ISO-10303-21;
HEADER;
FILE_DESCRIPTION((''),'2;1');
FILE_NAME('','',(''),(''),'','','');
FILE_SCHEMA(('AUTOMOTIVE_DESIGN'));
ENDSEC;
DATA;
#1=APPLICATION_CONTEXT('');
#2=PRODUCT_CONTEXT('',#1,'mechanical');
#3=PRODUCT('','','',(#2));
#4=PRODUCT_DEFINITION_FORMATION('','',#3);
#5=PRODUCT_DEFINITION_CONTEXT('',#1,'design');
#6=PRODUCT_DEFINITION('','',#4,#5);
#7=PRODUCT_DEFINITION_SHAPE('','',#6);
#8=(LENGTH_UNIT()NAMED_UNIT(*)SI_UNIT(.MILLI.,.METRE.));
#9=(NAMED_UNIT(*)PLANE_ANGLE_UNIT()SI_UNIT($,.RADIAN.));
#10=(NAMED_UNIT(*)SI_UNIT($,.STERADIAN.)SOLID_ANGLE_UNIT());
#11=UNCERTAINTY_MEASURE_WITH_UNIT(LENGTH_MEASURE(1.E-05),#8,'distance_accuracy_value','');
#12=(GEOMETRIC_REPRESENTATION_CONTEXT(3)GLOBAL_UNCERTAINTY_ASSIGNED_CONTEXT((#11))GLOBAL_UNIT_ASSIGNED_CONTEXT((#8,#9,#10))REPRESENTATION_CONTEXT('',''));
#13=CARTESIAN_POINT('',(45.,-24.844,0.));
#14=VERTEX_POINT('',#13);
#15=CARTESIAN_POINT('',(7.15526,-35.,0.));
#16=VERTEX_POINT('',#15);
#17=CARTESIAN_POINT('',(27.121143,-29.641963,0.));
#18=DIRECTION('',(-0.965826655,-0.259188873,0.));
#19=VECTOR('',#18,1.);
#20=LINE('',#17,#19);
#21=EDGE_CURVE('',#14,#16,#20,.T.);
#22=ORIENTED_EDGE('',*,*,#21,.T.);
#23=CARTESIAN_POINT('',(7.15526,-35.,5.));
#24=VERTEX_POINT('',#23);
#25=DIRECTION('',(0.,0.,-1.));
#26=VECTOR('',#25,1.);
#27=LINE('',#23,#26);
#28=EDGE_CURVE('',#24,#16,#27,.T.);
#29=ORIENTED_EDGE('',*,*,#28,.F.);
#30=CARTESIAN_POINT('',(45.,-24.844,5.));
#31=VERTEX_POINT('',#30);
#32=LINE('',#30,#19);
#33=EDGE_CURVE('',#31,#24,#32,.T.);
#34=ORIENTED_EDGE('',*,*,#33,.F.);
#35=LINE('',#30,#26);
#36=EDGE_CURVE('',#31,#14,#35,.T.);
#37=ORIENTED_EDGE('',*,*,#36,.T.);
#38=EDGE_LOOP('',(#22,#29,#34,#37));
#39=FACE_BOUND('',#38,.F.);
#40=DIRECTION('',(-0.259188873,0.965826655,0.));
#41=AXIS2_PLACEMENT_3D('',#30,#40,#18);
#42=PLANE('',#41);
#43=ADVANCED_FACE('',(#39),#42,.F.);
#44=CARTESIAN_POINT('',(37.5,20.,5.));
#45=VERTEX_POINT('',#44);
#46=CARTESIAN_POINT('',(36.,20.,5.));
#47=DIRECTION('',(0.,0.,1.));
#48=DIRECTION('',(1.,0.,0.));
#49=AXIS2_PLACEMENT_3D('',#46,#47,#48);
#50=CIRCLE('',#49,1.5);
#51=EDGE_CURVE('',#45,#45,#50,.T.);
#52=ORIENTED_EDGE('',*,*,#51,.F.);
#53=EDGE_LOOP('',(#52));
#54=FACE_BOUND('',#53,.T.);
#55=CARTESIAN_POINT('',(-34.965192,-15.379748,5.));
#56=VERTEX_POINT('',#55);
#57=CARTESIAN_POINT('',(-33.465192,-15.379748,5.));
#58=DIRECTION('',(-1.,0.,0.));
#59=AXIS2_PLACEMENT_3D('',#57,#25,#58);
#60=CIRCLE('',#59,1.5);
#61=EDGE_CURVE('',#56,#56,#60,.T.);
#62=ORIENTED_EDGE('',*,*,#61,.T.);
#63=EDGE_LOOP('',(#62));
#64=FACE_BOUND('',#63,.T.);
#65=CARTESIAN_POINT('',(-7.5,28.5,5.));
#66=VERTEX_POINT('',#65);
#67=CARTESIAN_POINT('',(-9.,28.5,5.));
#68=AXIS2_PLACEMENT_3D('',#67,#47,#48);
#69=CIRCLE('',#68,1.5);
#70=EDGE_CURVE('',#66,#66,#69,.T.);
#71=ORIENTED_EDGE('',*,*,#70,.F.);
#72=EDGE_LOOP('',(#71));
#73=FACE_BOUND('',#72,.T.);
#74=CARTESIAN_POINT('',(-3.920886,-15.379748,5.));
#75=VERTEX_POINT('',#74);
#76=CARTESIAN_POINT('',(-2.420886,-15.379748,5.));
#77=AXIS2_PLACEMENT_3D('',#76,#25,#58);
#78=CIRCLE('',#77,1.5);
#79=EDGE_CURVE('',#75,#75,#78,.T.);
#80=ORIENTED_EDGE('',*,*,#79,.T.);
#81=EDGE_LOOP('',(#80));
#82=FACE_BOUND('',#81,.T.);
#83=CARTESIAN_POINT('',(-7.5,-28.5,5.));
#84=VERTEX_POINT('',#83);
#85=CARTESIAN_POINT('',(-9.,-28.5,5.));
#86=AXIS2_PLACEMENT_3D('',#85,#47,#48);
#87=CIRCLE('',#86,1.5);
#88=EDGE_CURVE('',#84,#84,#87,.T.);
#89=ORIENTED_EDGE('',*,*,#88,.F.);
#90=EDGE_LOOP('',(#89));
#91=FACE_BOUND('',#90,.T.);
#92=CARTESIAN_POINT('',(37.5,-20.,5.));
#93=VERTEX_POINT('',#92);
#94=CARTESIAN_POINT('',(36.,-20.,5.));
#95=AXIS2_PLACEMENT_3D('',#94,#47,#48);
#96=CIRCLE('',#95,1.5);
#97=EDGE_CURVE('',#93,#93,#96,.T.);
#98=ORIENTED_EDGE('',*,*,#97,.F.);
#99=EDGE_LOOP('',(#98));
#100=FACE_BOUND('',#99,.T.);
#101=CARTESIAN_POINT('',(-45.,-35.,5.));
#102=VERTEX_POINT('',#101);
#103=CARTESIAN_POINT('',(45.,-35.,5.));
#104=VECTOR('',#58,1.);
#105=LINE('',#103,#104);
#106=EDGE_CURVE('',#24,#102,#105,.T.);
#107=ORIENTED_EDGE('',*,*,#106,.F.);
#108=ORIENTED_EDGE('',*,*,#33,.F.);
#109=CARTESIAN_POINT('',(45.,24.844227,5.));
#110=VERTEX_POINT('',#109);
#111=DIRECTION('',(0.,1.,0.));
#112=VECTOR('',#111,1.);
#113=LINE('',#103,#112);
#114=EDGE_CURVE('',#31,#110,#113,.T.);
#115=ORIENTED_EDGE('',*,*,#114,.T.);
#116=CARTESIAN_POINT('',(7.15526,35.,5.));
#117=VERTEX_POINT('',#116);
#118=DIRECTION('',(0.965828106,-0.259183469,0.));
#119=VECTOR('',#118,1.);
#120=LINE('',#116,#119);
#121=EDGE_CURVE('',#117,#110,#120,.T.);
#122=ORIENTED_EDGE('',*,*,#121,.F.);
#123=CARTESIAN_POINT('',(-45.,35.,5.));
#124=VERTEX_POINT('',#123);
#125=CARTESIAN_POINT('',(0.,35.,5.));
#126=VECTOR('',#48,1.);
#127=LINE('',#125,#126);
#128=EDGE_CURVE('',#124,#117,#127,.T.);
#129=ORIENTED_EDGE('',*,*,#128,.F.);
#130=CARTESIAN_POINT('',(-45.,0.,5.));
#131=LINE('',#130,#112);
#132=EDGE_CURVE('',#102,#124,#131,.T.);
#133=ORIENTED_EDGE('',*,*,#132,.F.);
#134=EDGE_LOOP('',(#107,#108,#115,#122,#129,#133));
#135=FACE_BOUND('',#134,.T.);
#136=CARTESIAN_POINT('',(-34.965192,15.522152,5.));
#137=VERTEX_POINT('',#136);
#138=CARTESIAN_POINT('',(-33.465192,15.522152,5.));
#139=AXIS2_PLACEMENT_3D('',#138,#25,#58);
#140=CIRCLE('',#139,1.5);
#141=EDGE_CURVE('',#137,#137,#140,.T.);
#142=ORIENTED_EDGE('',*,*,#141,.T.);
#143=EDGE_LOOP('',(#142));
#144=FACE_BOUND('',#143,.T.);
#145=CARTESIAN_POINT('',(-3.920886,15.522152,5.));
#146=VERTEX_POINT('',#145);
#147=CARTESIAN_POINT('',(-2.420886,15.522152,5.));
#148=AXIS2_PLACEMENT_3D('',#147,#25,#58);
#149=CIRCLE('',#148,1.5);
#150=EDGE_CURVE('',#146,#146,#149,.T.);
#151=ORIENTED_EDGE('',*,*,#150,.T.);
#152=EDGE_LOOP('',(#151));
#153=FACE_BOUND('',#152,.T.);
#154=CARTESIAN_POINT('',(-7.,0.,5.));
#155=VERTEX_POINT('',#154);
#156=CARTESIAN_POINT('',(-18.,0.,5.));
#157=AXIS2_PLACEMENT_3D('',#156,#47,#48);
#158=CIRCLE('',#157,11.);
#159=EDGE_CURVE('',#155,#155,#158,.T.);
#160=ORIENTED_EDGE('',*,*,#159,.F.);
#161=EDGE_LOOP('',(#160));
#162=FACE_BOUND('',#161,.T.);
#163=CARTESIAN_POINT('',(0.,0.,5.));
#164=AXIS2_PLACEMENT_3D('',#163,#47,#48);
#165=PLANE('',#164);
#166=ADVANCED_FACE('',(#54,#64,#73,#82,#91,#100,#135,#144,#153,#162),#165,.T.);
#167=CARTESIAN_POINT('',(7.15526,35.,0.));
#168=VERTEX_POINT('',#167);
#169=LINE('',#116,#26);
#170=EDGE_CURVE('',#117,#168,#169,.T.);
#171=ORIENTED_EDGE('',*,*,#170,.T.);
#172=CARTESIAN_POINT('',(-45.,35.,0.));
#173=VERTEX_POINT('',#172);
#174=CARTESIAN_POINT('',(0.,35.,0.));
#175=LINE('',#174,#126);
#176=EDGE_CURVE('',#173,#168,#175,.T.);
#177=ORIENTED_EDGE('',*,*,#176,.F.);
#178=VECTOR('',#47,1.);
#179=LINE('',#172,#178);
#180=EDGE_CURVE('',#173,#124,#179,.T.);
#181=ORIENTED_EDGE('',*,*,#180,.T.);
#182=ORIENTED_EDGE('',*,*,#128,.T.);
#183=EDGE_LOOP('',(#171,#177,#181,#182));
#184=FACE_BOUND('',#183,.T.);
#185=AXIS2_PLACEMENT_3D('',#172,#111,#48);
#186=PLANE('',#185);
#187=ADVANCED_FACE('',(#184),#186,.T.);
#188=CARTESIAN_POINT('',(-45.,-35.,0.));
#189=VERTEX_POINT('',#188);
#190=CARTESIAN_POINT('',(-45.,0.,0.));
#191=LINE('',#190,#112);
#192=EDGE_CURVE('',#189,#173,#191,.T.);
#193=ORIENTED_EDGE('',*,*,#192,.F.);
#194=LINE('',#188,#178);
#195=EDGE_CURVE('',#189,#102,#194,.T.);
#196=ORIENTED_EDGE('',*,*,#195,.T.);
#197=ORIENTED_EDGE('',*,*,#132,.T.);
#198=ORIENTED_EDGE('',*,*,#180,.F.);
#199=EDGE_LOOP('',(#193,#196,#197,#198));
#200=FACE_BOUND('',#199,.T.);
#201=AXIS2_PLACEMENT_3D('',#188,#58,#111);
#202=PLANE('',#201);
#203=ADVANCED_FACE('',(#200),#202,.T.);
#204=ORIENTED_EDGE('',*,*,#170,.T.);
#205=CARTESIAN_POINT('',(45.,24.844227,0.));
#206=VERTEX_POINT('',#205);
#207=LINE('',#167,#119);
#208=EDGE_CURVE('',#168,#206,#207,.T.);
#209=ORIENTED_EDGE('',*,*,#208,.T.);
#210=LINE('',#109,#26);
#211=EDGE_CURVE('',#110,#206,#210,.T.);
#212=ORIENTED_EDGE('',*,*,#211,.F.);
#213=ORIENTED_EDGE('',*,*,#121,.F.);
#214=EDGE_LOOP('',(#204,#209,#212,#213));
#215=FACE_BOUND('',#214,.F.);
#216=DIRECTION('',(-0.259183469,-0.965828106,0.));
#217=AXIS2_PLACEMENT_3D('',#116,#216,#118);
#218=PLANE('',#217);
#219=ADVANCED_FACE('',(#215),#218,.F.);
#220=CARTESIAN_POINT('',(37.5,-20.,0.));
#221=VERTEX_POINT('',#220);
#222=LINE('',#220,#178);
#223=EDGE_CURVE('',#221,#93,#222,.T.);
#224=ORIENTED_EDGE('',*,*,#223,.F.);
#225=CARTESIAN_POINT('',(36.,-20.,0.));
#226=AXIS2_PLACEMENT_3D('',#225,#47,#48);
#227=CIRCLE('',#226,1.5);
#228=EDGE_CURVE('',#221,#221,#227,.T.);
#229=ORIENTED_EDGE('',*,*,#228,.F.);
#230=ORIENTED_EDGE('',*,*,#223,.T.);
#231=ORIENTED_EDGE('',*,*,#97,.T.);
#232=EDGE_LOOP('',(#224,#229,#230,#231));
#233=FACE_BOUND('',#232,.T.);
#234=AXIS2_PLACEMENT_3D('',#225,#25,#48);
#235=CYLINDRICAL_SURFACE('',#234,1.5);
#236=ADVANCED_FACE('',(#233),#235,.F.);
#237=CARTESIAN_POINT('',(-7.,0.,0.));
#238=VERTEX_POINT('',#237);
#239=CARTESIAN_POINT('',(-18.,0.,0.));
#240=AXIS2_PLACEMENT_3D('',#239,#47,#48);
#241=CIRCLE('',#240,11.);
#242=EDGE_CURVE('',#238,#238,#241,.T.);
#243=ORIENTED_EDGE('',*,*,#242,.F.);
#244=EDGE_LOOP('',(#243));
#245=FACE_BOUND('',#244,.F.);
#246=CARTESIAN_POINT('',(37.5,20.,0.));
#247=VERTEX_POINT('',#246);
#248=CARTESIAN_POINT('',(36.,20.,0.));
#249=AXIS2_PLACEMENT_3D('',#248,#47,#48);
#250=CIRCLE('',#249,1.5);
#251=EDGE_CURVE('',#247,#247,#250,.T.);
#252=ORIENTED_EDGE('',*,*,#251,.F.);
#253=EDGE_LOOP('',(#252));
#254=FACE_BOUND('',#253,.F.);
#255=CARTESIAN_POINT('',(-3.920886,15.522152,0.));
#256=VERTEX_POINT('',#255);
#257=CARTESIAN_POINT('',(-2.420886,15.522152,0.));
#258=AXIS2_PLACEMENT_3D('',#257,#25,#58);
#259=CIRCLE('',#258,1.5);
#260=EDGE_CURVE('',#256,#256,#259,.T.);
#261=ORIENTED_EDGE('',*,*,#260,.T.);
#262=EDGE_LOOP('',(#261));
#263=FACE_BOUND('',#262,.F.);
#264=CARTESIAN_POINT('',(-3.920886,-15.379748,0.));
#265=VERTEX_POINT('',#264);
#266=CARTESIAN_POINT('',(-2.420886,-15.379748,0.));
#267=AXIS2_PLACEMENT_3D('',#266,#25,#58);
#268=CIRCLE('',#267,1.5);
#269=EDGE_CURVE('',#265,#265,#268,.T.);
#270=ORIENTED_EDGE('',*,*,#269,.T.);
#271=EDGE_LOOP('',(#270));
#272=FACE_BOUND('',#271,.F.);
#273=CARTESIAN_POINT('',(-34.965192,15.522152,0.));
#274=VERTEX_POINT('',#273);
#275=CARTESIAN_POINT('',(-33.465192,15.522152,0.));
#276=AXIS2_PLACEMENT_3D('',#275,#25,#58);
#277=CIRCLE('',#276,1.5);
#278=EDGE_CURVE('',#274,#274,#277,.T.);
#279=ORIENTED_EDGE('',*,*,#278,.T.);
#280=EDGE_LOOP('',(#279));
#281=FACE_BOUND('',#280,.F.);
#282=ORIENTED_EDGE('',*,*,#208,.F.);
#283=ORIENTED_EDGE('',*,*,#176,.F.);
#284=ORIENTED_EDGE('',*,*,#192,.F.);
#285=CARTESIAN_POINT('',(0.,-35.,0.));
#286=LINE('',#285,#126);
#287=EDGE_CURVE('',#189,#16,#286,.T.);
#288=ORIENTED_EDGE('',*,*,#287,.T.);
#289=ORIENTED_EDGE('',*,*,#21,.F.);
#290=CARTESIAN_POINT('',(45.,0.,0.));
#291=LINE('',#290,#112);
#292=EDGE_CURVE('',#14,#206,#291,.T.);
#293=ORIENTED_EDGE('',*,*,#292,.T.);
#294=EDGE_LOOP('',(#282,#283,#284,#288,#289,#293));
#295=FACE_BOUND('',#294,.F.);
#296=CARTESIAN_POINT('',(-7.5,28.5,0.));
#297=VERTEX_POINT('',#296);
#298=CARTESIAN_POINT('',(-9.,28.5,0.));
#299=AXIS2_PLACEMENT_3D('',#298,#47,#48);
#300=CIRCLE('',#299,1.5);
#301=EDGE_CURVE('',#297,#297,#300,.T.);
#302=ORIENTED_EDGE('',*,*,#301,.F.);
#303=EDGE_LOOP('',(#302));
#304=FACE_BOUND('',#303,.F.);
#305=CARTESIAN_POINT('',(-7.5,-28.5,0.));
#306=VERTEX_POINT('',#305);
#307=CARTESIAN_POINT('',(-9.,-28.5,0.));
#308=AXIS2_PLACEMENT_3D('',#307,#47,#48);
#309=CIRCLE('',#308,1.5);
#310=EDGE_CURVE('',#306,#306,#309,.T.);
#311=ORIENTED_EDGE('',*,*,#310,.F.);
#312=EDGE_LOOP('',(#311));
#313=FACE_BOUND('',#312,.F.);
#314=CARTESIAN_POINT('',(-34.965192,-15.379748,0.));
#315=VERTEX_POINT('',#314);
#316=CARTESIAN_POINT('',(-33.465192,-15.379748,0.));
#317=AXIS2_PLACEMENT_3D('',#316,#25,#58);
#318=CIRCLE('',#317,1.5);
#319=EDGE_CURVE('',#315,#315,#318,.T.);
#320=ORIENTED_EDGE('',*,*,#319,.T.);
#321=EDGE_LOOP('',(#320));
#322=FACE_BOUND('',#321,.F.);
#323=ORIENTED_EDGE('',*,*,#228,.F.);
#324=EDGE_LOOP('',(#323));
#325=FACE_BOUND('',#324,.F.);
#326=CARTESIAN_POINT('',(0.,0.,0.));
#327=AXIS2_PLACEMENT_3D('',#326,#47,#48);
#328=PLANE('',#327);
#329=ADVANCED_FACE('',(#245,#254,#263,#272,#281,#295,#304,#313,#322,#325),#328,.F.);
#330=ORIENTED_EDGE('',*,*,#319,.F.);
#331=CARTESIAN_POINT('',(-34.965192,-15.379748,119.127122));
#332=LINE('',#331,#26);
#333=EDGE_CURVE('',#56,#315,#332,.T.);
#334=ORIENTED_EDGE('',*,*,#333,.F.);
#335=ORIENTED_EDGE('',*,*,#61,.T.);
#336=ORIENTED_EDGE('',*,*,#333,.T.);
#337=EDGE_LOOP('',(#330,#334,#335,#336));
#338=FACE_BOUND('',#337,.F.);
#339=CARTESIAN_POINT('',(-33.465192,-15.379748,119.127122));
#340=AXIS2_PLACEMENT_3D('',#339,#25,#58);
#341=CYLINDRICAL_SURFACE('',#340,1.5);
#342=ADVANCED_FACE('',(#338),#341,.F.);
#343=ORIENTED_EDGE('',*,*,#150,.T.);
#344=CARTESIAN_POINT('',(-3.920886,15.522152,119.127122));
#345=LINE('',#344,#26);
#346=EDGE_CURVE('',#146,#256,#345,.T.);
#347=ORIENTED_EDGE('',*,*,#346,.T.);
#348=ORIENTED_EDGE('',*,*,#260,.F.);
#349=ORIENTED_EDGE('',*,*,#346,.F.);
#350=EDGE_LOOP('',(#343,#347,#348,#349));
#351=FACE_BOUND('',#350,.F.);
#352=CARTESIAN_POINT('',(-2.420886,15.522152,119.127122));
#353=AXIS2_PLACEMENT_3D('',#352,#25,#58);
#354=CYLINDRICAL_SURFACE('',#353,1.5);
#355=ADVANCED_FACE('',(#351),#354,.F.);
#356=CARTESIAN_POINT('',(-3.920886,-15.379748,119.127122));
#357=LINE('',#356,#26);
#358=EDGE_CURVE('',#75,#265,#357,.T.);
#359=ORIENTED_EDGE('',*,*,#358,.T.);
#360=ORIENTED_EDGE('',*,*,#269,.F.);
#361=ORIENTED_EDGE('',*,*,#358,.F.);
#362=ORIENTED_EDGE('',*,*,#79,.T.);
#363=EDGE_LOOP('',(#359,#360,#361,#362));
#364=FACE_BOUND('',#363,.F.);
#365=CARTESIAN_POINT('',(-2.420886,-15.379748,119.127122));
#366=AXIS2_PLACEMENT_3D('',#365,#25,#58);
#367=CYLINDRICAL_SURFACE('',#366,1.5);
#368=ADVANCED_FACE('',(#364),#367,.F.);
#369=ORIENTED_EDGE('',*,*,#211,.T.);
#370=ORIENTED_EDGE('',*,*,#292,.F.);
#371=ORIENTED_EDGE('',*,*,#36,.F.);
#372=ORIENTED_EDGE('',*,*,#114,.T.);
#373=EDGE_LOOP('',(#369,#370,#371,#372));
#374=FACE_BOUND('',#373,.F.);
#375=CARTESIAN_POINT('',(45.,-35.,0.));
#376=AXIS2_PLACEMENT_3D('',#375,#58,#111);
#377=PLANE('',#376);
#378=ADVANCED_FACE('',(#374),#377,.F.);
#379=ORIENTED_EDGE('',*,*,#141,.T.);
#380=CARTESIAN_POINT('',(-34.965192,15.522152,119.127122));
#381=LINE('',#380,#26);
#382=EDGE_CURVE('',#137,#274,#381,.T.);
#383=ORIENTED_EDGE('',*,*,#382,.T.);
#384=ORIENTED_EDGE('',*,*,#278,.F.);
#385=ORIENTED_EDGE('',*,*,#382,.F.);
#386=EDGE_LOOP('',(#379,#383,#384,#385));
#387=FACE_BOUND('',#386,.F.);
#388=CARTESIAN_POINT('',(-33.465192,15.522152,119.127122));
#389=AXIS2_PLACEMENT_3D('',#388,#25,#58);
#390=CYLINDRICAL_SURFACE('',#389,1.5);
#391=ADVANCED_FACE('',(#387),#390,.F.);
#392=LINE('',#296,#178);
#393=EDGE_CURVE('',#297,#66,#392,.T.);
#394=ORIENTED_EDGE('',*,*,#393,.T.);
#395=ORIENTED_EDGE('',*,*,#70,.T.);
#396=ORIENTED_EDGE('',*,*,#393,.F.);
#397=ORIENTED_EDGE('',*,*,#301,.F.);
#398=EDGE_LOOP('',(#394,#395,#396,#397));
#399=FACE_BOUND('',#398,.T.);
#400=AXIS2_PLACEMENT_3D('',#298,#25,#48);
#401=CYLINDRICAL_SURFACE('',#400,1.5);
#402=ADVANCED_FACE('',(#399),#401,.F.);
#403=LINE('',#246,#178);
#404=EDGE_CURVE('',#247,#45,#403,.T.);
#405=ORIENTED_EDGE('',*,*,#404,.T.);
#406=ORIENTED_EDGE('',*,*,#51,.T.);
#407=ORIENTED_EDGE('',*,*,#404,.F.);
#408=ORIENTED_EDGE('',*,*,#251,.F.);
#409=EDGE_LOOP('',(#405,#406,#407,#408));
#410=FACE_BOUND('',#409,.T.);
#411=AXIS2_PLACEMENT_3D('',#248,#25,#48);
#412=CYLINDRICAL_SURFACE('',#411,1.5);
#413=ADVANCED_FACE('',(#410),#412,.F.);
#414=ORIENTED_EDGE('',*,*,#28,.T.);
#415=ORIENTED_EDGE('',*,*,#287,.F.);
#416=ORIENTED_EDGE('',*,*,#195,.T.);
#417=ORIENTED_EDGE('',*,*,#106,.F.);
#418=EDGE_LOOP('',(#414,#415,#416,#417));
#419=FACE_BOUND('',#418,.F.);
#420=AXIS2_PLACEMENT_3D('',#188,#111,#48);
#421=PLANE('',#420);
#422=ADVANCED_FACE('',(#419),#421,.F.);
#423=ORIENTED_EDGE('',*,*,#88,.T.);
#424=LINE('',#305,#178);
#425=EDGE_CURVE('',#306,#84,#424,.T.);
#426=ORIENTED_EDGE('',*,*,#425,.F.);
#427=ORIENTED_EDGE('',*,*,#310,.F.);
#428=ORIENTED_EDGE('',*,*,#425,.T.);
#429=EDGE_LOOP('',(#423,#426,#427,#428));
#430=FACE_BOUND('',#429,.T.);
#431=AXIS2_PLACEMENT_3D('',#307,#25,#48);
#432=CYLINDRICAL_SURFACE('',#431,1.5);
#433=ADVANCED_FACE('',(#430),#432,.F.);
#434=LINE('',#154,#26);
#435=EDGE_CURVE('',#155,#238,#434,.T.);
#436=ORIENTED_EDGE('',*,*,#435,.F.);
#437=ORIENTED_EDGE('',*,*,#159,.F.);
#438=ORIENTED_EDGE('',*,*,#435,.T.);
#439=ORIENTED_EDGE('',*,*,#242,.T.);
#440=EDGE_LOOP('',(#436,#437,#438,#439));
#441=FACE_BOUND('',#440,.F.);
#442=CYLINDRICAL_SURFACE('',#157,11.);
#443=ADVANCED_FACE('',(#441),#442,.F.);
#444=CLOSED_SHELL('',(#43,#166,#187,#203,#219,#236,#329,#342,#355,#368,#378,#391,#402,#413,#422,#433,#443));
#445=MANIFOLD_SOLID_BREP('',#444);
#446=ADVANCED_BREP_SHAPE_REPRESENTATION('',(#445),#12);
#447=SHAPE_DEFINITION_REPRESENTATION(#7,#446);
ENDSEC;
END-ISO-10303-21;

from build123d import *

# Parameters (mm, degrees)
F0_W      = 90
F0_H      = 70
F0_R      = 1.5
F2_DEPTH  = 5
F4_D      = 3
F5_D      = 11.5
F7_DEPTH  = 5
F9_DEPTH  = 0.1
F10_R     = 11
F10_R_2   = 5.75
F11_DEPTH = 5.001
F13_DEPTH = 5.001


with BuildPart() as f2:
    # F0 (on Top) → F2 (new body)
    with BuildSketch(Plane.XY):
        Rectangle(F0_W, F0_H)
        with Locations((-9, -28.5)):
            Circle(F0_R, mode=Mode.SUBTRACT)
        with Locations((36, -20)):
            Circle(F0_R, mode=Mode.SUBTRACT)
        with Locations((-9, 28.5)):
            Circle(F0_R, mode=Mode.SUBTRACT)
        with Locations((36, 20)):
            Circle(F0_R, mode=Mode.SUBTRACT)
    extrude(amount=F2_DEPTH)

    # F4 (through all)
    with Locations(Plane.XY.offset(5)):
        with Locations((-2.420886, 15.522152), (-2.420886, -15.379748), (-33.465192, -15.379748), (-33.465192, 15.522152)):
            Hole(F4_D / 2)

    # F5 (through all)
    with Locations(Plane(origin=(0, 0, 0), x_dir=(1, 0, 0), z_dir=(0, 0, -1))):
        with Locations((-18, 0)):
            Hole(F5_D / 2)

    # F6 (on face) → F7 (cut)
    with BuildSketch(Plane.XY.offset(5)):
        Polygon((7.15526, 35), (45, 24.844227), (45, 35), align=None)
    extrude(amount=-F7_DEPTH, mode=Mode.SUBTRACT)

    # F8 (on face) → F9 (cut)
    with BuildSketch(Plane.XY.offset(5)):
        Polygon((45, -25.128944), (7.019877, -35), (45, -35), align=None)
    extrude(amount=F9_DEPTH, mode=Mode.SUBTRACT)

    # F10 (on face) → F11 (cut, through all)
    with BuildSketch(Plane.XY.offset(5)):
        with Locations((-18, 0)):
            Circle(F10_R)
        with Locations((-18, 0)):
            Circle(F10_R_2, mode=Mode.SUBTRACT)
    extrude(amount=-F11_DEPTH, mode=Mode.SUBTRACT)

    # F12 (on face) → F13 (cut, through all)
    with BuildSketch(Plane.XY.offset(5)):
        Polygon((45, -24.844), (7.15526, -35), (45, -35), align=None)
    extrude(amount=-F13_DEPTH, mode=Mode.SUBTRACT)


solid = f2.part
